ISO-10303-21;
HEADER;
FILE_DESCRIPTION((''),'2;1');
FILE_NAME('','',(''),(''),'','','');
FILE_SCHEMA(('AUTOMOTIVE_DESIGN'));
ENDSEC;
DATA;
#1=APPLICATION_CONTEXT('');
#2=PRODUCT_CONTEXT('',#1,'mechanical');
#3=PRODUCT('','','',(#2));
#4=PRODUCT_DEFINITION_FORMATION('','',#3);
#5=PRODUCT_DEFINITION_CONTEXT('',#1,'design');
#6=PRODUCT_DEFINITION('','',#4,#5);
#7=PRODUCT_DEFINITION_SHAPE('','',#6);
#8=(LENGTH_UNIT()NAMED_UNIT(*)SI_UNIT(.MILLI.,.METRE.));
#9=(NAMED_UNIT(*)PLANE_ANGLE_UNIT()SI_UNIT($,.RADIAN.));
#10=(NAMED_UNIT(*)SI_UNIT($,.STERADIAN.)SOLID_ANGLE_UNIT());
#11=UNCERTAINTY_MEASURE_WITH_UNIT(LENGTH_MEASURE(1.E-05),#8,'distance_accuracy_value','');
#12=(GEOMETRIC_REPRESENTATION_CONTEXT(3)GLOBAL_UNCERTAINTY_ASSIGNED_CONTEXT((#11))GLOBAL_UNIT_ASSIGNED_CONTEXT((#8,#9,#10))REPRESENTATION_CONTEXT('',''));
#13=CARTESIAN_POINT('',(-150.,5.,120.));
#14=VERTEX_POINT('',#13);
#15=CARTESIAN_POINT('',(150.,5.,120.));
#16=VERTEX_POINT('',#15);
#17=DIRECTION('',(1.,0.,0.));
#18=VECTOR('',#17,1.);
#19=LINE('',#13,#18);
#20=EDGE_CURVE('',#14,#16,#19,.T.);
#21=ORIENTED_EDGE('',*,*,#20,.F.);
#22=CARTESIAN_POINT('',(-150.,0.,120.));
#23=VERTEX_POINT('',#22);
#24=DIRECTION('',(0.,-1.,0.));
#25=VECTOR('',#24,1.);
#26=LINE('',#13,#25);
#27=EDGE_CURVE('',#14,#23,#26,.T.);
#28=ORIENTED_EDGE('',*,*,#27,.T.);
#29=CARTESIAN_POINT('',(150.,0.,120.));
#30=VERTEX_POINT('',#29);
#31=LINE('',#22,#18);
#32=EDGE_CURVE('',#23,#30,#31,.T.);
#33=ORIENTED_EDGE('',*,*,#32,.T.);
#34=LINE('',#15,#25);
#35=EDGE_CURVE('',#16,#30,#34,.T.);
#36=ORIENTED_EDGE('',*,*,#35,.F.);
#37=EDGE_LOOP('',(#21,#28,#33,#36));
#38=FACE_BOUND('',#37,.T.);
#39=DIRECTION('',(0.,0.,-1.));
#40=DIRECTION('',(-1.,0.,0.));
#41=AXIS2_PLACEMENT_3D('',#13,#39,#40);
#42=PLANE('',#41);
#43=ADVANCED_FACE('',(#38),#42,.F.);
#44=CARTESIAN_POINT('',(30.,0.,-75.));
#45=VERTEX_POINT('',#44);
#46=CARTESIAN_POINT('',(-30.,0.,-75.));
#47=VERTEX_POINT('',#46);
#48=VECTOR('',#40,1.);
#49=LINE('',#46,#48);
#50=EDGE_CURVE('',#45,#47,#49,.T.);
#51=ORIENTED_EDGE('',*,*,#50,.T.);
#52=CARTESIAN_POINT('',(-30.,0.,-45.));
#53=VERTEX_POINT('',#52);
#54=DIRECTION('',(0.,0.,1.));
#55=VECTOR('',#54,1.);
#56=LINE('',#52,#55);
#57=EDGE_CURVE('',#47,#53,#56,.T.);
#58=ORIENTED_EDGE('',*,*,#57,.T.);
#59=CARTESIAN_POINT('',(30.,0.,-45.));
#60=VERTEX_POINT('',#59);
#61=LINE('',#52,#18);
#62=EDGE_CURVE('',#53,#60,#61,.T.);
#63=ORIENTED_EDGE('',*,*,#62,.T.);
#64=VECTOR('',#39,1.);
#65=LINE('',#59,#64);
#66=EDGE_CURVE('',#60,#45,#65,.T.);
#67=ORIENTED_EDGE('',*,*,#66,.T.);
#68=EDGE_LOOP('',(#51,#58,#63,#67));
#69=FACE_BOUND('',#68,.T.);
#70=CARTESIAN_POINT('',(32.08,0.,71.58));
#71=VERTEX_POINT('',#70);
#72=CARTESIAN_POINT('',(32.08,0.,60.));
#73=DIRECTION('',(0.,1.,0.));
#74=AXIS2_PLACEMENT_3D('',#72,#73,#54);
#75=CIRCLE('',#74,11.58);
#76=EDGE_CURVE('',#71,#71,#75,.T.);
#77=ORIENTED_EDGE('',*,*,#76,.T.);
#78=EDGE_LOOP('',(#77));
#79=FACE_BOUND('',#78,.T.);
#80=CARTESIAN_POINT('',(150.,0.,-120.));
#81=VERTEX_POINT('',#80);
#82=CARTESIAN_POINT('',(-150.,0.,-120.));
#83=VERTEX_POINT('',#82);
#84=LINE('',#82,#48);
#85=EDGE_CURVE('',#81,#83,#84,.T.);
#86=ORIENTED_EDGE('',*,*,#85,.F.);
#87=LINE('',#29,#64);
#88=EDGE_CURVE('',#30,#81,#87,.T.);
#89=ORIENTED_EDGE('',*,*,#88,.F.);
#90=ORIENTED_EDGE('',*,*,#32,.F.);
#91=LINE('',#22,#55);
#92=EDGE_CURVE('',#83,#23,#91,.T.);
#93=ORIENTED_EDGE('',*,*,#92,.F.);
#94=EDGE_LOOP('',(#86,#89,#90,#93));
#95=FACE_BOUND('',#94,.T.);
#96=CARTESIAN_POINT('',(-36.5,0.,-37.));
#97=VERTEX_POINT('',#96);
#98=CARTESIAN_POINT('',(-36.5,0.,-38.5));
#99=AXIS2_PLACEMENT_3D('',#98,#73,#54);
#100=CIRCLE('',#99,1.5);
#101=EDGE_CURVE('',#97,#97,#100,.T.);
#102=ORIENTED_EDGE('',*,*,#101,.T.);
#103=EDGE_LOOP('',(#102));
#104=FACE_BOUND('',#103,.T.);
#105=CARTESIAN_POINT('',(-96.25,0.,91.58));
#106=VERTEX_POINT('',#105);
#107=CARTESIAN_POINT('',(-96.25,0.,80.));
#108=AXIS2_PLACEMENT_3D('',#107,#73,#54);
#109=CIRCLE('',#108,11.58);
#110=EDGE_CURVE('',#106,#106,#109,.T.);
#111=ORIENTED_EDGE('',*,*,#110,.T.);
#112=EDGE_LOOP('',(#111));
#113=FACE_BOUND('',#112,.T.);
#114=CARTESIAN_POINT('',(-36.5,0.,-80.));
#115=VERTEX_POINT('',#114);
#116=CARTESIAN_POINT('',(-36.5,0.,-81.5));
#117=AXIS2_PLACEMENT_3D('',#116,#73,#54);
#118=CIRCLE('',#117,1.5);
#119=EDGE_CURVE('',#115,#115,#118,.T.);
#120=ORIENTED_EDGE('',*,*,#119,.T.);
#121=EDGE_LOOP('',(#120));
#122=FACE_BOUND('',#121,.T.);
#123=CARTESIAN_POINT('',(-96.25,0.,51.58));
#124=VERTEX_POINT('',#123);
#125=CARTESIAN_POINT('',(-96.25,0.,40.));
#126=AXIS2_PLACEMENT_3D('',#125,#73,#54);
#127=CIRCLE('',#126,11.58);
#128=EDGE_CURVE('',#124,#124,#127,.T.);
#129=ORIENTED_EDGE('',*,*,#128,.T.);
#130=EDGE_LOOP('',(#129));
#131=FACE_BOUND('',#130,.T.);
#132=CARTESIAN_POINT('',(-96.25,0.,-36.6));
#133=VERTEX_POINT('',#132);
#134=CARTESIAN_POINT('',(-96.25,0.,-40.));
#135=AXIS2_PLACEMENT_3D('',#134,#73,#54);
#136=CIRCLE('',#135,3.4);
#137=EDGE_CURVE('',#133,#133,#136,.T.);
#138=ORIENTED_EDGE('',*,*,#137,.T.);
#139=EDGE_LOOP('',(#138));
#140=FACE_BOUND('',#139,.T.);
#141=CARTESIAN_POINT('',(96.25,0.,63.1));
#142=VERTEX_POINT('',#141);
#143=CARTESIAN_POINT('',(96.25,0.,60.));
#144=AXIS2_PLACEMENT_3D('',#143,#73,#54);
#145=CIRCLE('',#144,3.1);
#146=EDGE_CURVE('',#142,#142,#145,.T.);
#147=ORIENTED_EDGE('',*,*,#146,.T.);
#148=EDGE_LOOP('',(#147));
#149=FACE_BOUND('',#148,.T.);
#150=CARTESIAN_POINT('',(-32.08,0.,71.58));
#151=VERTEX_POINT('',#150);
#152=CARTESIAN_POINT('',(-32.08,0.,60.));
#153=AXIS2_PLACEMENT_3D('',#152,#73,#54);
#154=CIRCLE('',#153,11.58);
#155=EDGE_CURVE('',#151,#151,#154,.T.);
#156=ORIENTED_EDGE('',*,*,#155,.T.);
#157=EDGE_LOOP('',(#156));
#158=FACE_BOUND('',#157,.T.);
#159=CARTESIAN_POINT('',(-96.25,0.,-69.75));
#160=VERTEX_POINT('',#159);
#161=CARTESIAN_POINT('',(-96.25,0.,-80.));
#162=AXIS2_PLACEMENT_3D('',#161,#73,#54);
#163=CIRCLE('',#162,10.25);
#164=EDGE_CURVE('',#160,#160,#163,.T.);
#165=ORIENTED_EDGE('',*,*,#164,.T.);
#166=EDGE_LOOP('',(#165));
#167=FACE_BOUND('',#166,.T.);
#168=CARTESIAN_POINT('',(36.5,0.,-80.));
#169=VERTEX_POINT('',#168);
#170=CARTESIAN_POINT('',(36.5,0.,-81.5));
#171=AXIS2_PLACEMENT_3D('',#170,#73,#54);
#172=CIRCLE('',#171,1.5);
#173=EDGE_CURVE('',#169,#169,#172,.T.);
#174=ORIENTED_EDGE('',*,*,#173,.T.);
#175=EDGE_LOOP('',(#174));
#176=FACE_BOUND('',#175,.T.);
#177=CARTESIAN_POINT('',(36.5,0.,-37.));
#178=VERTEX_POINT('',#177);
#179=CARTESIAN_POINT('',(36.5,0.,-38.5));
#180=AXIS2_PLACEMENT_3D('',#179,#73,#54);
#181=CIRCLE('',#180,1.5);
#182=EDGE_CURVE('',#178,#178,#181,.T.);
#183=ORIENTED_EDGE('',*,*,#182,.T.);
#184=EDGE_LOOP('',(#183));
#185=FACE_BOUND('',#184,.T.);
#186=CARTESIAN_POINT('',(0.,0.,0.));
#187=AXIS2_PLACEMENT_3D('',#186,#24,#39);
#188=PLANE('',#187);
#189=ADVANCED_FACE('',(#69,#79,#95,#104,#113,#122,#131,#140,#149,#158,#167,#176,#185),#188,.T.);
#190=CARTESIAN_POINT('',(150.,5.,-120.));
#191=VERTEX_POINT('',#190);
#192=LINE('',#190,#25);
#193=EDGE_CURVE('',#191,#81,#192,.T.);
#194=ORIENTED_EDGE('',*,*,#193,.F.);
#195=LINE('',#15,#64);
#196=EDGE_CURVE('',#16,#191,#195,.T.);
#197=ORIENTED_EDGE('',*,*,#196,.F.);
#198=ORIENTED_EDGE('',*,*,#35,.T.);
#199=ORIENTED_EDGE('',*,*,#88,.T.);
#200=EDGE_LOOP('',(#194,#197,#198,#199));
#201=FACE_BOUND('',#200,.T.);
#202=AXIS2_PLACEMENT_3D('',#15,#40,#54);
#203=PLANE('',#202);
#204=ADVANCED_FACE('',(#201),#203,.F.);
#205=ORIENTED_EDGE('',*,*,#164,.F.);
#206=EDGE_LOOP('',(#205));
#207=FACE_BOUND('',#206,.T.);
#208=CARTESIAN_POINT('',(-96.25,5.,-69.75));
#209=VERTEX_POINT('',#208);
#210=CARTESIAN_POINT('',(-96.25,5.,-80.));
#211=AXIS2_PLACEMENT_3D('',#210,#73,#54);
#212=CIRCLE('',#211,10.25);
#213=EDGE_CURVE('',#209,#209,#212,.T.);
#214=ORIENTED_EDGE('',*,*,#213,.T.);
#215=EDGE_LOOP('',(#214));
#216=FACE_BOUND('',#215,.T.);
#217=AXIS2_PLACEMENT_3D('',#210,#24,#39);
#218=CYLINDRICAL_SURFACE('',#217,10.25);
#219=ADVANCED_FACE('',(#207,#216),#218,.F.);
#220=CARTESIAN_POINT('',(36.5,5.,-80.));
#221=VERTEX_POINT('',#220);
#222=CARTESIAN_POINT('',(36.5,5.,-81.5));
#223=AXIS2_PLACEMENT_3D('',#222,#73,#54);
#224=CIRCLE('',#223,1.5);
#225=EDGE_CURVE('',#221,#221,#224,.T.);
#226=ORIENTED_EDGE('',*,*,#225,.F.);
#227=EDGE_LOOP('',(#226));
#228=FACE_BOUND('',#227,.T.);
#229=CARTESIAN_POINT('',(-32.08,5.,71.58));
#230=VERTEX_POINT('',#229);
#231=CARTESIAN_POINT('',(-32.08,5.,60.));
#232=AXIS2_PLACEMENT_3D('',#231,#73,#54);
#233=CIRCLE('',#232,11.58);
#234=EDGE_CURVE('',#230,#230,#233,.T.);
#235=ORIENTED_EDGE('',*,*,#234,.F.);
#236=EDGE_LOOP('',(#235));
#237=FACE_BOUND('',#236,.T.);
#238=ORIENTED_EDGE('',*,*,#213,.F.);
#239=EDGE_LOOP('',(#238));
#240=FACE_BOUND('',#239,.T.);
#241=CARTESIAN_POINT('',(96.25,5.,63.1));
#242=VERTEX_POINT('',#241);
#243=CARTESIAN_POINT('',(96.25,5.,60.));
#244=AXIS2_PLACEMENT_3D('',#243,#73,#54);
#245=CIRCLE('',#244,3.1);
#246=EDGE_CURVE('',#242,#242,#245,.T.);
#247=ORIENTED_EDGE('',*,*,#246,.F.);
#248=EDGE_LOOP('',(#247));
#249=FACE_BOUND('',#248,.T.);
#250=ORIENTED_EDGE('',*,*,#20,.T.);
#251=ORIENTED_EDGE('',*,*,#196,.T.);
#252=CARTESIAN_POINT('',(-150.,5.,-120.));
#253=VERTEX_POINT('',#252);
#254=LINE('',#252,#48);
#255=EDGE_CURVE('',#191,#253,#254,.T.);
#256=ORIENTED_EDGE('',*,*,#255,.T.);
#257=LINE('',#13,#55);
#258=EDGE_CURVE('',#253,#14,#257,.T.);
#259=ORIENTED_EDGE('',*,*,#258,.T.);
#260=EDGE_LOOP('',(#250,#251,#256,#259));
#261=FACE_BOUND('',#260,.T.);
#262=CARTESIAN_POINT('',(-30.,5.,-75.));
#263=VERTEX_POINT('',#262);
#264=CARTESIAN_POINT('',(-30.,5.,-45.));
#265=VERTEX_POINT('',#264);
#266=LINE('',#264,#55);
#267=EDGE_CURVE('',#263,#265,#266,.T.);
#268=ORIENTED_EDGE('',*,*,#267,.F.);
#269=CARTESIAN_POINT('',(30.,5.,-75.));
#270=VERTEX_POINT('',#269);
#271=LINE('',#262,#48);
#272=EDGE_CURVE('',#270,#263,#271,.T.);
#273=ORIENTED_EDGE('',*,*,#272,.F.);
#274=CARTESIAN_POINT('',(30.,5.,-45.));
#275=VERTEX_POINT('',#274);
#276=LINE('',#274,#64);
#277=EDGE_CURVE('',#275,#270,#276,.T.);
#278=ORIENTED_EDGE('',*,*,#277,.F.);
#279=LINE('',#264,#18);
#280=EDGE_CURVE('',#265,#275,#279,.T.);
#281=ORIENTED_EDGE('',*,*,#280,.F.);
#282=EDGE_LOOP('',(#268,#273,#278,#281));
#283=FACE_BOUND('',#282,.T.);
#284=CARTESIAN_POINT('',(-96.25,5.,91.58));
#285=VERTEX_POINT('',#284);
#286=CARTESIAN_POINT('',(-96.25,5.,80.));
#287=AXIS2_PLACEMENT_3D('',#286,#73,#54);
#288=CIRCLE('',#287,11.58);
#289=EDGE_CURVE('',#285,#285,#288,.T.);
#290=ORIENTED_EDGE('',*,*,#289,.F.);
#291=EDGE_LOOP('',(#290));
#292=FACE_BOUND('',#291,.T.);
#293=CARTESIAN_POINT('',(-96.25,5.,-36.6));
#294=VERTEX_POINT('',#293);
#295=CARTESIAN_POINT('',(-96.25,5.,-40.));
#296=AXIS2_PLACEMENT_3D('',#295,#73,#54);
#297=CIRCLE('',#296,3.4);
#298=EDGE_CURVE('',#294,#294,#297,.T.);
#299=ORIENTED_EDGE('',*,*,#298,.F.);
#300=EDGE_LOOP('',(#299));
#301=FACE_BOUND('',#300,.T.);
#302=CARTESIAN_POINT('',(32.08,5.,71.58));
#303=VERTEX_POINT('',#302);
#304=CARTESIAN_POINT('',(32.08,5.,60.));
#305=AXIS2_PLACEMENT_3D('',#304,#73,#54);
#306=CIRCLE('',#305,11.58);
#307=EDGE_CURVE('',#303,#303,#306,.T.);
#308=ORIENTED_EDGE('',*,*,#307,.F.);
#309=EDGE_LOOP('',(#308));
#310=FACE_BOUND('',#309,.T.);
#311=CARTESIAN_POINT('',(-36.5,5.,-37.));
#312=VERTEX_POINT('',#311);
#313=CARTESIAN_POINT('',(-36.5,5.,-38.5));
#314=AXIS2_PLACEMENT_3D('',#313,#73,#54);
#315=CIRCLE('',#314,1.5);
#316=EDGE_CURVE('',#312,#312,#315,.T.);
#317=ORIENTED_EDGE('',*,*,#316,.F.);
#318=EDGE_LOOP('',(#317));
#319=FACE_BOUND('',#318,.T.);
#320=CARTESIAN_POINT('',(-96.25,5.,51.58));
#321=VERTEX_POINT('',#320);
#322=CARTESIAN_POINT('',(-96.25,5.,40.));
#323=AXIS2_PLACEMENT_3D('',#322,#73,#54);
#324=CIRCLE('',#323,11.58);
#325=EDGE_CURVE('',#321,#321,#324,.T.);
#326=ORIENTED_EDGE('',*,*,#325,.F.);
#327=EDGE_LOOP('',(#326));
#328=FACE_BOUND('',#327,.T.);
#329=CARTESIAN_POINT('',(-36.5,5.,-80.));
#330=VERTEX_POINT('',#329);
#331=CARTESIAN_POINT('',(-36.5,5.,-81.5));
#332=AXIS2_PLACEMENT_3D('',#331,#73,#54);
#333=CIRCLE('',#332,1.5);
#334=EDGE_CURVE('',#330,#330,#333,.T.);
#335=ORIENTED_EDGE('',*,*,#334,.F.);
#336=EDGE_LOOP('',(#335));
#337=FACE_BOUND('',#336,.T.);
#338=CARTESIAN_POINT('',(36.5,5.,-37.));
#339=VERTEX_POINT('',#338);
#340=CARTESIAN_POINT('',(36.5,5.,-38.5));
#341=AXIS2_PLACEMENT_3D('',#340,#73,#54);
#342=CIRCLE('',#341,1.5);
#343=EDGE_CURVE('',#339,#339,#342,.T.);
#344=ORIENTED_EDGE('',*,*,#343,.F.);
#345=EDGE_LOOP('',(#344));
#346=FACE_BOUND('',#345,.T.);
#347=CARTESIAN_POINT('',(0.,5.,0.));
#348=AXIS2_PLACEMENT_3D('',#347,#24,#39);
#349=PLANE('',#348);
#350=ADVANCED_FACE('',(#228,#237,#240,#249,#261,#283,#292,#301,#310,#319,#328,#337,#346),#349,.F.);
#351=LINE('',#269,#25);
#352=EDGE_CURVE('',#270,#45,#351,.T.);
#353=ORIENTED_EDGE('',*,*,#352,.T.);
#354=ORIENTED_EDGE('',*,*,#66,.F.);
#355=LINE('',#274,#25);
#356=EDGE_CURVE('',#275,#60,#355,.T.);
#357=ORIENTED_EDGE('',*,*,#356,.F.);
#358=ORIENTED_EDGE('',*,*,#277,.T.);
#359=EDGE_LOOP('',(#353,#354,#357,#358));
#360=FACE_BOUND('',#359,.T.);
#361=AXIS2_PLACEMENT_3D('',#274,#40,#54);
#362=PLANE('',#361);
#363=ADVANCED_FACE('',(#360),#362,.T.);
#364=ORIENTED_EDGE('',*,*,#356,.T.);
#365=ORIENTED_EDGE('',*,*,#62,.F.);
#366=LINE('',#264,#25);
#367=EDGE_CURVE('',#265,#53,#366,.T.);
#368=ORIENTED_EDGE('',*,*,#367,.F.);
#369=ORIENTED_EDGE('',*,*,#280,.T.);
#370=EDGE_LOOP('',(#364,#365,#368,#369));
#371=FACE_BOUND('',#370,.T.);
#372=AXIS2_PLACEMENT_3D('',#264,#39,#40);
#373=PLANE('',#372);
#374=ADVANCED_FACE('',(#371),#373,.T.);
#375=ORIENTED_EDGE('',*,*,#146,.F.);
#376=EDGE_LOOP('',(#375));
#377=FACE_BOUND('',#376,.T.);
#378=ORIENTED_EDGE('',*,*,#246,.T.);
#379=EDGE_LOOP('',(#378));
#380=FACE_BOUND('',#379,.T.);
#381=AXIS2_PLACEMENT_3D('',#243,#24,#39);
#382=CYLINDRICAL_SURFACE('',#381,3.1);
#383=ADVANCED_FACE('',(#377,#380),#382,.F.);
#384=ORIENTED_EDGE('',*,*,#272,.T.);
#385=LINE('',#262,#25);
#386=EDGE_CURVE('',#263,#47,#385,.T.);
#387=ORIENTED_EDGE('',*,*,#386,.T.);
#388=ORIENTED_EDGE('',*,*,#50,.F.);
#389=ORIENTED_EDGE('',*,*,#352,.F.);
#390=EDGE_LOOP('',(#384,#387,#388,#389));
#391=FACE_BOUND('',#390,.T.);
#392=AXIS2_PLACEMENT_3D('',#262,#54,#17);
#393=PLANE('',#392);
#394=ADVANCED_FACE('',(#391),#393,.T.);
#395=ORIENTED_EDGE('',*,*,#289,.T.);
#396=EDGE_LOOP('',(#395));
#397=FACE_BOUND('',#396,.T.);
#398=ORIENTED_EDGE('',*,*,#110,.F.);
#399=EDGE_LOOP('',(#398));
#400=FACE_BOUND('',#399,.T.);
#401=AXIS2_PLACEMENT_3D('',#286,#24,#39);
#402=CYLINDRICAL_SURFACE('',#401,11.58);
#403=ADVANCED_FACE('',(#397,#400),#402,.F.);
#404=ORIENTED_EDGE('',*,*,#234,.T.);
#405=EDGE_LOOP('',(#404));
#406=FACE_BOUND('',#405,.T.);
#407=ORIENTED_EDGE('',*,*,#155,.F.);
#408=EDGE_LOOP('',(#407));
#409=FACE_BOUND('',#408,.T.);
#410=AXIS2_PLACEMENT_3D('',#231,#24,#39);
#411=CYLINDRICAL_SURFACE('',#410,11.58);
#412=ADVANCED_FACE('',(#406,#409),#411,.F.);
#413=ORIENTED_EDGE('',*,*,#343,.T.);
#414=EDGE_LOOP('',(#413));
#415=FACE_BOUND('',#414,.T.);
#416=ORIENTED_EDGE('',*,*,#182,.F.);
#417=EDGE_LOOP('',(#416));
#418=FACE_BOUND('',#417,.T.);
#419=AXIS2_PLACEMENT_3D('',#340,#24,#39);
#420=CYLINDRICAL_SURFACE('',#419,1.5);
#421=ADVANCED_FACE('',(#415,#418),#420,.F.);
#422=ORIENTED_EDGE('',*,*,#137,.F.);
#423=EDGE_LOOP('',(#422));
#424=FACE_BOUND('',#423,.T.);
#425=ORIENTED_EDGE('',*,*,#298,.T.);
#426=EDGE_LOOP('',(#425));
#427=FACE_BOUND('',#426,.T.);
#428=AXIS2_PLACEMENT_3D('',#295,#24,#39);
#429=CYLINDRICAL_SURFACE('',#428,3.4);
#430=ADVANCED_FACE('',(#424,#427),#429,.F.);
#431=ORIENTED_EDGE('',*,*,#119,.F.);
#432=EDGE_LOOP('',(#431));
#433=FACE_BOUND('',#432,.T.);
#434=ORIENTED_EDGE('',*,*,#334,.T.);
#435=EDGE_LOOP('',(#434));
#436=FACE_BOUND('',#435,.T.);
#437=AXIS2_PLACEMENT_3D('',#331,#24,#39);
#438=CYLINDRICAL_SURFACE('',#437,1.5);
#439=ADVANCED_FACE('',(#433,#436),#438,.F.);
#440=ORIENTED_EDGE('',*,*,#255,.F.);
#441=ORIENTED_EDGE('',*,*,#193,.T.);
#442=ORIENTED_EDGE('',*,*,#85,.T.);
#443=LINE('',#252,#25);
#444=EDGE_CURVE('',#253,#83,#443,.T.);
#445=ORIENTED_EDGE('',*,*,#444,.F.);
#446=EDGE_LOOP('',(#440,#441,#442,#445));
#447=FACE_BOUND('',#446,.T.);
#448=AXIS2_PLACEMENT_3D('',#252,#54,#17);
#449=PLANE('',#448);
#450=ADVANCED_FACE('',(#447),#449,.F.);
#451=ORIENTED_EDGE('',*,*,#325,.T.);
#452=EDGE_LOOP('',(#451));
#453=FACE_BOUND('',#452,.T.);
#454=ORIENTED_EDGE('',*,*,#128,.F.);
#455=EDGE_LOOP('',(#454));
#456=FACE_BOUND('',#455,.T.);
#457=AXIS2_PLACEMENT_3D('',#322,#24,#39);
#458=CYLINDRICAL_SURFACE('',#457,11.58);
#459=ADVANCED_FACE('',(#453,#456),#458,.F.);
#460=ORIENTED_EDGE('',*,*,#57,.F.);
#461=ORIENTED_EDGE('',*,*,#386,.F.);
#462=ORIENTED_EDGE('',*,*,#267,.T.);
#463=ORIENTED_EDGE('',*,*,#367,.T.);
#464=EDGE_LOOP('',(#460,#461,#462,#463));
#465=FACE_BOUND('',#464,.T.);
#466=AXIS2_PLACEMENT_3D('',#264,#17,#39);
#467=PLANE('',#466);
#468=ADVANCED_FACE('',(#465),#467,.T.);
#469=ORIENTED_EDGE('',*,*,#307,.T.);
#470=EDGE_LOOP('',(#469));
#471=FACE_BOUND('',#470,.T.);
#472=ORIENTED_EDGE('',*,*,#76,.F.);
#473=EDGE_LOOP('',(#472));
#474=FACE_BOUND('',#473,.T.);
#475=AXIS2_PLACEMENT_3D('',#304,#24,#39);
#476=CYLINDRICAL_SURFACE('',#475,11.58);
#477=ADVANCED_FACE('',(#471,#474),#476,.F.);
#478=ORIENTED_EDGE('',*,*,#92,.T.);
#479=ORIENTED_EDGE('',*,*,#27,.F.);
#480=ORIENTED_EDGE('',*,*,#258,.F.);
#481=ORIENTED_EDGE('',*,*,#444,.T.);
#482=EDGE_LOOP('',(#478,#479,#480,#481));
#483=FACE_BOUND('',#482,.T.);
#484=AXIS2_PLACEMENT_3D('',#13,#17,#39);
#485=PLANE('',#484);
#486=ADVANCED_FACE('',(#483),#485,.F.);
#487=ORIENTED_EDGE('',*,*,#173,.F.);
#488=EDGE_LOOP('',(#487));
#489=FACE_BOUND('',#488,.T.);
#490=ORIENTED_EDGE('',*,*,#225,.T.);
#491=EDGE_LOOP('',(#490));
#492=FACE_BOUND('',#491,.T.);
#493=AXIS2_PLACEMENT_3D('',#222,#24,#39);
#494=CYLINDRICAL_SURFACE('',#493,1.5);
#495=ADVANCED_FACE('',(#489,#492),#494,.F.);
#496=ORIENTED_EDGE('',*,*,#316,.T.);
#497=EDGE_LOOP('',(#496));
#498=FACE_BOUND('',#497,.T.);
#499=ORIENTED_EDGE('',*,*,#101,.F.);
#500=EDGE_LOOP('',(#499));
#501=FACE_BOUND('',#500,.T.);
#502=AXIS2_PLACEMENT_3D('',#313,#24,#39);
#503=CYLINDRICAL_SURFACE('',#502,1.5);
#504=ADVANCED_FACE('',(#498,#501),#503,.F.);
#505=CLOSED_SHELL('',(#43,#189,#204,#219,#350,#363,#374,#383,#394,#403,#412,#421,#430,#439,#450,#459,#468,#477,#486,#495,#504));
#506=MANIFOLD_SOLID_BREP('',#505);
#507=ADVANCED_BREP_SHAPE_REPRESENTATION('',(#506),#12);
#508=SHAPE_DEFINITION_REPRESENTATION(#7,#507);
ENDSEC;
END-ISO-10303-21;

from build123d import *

# Parameters (mm, degrees)
SKETCH1_W           = 300
SKETCH1_H           = 240
BOSS_EXTRUDE1_DEPTH = 5
SKETCH2_R           = 10.25
SKETCH2_R_2         = 11.58
SKETCH2_R_3         = 3.4
SKETCH2_R_4         = 3.1
SKETCH2_R_5         = 1.5
SKETCH2_W           = 60
SKETCH2_H           = 30
CUT_EXTRUDE4_DEPTH  = 193.158788506


with BuildPart() as part:
    # Sketch1 → Boss-Extrude1 (new body)
    with BuildSketch(Plane(origin=(0, 0, 0), x_dir=(1, 0, 0), z_dir=(0, 1, 0))):
        Rectangle(SKETCH1_W, SKETCH1_H)
    extrude(amount=BOSS_EXTRUDE1_DEPTH)

    # Sketch2 → Cut-Extrude4 (cut, through all)
    with BuildSketch(Plane(origin=(0, 0, 0), x_dir=(1, 0, 0), z_dir=(0, 1, 0))):
        with Locations(Location((-96.25, 80, 0), (0, 0, 270))):
            Circle(SKETCH2_R)
        with Locations(Location((-96.25, -40, 0), (0, 0, 270))):
            Circle(SKETCH2_R_2)
        with Locations(Location((-96.25, -80, 0), (0, 0, 270))):
            Circle(SKETCH2_R_2)
        with Locations(Location((-96.25, 40, 0), (0, 0, 270))):
            Circle(SKETCH2_R_3)
        with Locations(Location((-32.08, -60, 0), (0, 0, 270))):
            Circle(SKETCH2_R_2)
        with Locations(Location((32.08, -60, 0), (0, 0, 270))):
            Circle(SKETCH2_R_2)
        with Locations(Location((96.25, -60, 0), (0, 0, 270))):
            Circle(SKETCH2_R_4)
        with Locations(Location((36.5, 38.5, 0), (0, 0, 270))):
            Circle(SKETCH2_R_5)
        with Locations(Location((36.5, 81.5, 0), (0, 0, 270))):
            Circle(SKETCH2_R_5)
        with Locations(Location((-36.5, 81.5, 0), (0, 0, 270))):
            Circle(SKETCH2_R_5)
        with Locations(Location((-36.5, 38.5, 0), (0, 0, 270))):
            Circle(SKETCH2_R_5)
        with Locations((0, 60)):
            Rectangle(SKETCH2_W, SKETCH2_H)
    extrude(amount=CUT_EXTRUDE4_DEPTH, mode=Mode.SUBTRACT)


solid = part.part
